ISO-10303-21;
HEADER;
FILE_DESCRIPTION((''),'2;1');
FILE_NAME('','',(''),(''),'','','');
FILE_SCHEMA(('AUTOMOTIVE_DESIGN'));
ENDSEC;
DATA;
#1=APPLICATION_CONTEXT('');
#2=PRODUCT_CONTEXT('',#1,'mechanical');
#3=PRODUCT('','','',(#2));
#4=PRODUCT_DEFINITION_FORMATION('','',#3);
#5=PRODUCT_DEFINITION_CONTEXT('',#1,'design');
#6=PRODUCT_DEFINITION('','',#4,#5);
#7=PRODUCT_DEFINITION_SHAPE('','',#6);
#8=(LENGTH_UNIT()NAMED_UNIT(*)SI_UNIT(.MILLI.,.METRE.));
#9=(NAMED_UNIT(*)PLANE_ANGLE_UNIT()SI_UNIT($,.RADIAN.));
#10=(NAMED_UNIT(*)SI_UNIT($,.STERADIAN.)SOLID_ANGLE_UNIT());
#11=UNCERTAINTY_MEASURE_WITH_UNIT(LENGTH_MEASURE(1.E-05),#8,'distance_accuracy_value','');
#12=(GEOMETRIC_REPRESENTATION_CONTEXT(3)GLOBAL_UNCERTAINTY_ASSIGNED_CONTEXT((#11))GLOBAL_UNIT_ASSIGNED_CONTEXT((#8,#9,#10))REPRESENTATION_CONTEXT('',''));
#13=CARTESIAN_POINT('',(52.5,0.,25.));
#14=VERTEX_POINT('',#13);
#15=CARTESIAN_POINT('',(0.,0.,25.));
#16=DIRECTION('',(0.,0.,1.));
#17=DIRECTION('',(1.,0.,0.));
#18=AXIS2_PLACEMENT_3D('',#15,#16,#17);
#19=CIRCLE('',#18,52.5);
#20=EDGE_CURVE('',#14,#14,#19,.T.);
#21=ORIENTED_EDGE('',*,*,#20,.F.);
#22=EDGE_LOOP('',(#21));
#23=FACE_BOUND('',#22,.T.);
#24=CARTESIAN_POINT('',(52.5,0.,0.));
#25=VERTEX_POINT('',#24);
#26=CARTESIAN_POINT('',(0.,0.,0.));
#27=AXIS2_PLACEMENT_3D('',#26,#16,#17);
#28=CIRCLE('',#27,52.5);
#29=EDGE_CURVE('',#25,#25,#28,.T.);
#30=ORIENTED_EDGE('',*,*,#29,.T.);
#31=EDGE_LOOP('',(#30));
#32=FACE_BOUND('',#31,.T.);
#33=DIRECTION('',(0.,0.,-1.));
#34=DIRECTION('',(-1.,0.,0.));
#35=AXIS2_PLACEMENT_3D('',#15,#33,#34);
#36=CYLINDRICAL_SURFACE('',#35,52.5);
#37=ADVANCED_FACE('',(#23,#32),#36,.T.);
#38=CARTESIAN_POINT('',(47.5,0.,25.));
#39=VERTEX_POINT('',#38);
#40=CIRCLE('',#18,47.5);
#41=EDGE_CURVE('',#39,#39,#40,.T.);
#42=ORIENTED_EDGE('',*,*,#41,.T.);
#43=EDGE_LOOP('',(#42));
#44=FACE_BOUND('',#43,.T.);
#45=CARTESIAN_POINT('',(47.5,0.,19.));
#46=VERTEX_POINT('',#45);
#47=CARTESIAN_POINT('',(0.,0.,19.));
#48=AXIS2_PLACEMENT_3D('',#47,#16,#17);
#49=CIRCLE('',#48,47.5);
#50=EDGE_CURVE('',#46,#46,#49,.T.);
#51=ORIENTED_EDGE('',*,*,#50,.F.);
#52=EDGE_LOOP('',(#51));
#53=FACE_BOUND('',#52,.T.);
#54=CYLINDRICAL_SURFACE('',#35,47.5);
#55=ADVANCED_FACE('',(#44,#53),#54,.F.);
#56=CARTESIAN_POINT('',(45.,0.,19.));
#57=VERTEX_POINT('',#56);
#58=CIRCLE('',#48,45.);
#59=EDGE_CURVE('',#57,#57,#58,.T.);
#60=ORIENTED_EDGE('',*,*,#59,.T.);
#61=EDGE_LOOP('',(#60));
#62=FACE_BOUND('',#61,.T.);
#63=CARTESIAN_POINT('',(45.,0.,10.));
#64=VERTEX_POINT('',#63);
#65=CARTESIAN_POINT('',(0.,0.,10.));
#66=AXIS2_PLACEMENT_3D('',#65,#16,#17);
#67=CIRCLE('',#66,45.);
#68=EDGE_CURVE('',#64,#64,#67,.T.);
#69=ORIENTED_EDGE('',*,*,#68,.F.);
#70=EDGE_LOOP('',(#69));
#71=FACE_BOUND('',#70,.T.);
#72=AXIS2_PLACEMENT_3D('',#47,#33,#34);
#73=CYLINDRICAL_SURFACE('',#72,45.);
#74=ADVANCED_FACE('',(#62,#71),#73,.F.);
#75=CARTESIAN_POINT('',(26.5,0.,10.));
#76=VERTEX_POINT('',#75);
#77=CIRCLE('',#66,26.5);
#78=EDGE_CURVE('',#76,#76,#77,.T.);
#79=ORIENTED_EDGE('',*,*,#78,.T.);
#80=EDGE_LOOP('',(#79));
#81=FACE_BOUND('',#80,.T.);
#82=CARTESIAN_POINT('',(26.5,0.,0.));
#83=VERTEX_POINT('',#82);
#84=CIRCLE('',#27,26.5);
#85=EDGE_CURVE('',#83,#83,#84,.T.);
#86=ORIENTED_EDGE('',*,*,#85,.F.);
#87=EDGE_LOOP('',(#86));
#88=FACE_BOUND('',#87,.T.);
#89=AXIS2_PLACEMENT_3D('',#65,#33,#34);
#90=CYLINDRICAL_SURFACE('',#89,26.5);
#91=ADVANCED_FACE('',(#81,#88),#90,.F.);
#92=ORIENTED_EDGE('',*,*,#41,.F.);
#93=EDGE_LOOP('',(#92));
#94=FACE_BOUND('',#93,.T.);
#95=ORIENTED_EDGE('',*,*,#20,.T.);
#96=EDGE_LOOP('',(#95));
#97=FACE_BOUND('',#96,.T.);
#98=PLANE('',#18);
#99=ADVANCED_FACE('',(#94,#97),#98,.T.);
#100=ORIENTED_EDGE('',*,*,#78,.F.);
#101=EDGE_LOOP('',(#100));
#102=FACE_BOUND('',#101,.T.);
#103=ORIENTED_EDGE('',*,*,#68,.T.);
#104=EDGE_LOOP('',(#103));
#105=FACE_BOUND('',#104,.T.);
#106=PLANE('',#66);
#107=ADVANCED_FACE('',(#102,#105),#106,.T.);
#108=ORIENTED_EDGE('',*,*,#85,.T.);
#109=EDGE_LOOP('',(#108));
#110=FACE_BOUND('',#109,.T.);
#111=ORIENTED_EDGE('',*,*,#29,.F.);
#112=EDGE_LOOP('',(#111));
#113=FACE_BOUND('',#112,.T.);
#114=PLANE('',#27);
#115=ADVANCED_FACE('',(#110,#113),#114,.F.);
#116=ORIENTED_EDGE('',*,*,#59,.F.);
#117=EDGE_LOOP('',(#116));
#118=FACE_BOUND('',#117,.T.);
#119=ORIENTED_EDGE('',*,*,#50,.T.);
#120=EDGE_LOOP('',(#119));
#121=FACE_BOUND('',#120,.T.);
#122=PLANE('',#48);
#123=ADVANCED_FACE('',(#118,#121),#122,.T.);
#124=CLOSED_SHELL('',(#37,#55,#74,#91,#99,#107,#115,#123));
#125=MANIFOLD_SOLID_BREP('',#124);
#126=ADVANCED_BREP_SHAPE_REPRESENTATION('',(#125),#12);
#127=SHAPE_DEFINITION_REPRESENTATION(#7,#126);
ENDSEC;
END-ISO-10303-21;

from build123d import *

# Parameters (mm, degrees)
SKETCH2_R           = 52.5
SKETCH2_R_2         = 47.5
BOSS_EXTRUDE1_DEPTH = 25
SKETCH2_6_R         = 47.5
SKETCH2_6_R_2       = 45
BOSS_EXTRUDE5_DEPTH = 19
SKETCH2_7_R         = 45
SKETCH2_7_R_2       = 26.5
BOSS_EXTRUDE6_DEPTH = 10


with BuildPart() as part:
    # Sketch2 → Boss-Extrude1 (new body)
    with BuildSketch(Plane.XY):
        Circle(SKETCH2_R)
        Circle(SKETCH2_R_2, mode=Mode.SUBTRACT)
    extrude(amount=BOSS_EXTRUDE1_DEPTH)

    # Sketch2<6> → Boss-Extrude5 (add)
    with BuildSketch(Plane.XY):
        Circle(SKETCH2_6_R)
        Circle(SKETCH2_6_R_2, mode=Mode.SUBTRACT)
    extrude(amount=BOSS_EXTRUDE5_DEPTH)

    # Sketch2<7> → Boss-Extrude6 (add)
    with BuildSketch(Plane.XY):
        Circle(SKETCH2_7_R)
        Circle(SKETCH2_7_R_2, mode=Mode.SUBTRACT)
    extrude(amount=BOSS_EXTRUDE6_DEPTH)


solid = part.part
